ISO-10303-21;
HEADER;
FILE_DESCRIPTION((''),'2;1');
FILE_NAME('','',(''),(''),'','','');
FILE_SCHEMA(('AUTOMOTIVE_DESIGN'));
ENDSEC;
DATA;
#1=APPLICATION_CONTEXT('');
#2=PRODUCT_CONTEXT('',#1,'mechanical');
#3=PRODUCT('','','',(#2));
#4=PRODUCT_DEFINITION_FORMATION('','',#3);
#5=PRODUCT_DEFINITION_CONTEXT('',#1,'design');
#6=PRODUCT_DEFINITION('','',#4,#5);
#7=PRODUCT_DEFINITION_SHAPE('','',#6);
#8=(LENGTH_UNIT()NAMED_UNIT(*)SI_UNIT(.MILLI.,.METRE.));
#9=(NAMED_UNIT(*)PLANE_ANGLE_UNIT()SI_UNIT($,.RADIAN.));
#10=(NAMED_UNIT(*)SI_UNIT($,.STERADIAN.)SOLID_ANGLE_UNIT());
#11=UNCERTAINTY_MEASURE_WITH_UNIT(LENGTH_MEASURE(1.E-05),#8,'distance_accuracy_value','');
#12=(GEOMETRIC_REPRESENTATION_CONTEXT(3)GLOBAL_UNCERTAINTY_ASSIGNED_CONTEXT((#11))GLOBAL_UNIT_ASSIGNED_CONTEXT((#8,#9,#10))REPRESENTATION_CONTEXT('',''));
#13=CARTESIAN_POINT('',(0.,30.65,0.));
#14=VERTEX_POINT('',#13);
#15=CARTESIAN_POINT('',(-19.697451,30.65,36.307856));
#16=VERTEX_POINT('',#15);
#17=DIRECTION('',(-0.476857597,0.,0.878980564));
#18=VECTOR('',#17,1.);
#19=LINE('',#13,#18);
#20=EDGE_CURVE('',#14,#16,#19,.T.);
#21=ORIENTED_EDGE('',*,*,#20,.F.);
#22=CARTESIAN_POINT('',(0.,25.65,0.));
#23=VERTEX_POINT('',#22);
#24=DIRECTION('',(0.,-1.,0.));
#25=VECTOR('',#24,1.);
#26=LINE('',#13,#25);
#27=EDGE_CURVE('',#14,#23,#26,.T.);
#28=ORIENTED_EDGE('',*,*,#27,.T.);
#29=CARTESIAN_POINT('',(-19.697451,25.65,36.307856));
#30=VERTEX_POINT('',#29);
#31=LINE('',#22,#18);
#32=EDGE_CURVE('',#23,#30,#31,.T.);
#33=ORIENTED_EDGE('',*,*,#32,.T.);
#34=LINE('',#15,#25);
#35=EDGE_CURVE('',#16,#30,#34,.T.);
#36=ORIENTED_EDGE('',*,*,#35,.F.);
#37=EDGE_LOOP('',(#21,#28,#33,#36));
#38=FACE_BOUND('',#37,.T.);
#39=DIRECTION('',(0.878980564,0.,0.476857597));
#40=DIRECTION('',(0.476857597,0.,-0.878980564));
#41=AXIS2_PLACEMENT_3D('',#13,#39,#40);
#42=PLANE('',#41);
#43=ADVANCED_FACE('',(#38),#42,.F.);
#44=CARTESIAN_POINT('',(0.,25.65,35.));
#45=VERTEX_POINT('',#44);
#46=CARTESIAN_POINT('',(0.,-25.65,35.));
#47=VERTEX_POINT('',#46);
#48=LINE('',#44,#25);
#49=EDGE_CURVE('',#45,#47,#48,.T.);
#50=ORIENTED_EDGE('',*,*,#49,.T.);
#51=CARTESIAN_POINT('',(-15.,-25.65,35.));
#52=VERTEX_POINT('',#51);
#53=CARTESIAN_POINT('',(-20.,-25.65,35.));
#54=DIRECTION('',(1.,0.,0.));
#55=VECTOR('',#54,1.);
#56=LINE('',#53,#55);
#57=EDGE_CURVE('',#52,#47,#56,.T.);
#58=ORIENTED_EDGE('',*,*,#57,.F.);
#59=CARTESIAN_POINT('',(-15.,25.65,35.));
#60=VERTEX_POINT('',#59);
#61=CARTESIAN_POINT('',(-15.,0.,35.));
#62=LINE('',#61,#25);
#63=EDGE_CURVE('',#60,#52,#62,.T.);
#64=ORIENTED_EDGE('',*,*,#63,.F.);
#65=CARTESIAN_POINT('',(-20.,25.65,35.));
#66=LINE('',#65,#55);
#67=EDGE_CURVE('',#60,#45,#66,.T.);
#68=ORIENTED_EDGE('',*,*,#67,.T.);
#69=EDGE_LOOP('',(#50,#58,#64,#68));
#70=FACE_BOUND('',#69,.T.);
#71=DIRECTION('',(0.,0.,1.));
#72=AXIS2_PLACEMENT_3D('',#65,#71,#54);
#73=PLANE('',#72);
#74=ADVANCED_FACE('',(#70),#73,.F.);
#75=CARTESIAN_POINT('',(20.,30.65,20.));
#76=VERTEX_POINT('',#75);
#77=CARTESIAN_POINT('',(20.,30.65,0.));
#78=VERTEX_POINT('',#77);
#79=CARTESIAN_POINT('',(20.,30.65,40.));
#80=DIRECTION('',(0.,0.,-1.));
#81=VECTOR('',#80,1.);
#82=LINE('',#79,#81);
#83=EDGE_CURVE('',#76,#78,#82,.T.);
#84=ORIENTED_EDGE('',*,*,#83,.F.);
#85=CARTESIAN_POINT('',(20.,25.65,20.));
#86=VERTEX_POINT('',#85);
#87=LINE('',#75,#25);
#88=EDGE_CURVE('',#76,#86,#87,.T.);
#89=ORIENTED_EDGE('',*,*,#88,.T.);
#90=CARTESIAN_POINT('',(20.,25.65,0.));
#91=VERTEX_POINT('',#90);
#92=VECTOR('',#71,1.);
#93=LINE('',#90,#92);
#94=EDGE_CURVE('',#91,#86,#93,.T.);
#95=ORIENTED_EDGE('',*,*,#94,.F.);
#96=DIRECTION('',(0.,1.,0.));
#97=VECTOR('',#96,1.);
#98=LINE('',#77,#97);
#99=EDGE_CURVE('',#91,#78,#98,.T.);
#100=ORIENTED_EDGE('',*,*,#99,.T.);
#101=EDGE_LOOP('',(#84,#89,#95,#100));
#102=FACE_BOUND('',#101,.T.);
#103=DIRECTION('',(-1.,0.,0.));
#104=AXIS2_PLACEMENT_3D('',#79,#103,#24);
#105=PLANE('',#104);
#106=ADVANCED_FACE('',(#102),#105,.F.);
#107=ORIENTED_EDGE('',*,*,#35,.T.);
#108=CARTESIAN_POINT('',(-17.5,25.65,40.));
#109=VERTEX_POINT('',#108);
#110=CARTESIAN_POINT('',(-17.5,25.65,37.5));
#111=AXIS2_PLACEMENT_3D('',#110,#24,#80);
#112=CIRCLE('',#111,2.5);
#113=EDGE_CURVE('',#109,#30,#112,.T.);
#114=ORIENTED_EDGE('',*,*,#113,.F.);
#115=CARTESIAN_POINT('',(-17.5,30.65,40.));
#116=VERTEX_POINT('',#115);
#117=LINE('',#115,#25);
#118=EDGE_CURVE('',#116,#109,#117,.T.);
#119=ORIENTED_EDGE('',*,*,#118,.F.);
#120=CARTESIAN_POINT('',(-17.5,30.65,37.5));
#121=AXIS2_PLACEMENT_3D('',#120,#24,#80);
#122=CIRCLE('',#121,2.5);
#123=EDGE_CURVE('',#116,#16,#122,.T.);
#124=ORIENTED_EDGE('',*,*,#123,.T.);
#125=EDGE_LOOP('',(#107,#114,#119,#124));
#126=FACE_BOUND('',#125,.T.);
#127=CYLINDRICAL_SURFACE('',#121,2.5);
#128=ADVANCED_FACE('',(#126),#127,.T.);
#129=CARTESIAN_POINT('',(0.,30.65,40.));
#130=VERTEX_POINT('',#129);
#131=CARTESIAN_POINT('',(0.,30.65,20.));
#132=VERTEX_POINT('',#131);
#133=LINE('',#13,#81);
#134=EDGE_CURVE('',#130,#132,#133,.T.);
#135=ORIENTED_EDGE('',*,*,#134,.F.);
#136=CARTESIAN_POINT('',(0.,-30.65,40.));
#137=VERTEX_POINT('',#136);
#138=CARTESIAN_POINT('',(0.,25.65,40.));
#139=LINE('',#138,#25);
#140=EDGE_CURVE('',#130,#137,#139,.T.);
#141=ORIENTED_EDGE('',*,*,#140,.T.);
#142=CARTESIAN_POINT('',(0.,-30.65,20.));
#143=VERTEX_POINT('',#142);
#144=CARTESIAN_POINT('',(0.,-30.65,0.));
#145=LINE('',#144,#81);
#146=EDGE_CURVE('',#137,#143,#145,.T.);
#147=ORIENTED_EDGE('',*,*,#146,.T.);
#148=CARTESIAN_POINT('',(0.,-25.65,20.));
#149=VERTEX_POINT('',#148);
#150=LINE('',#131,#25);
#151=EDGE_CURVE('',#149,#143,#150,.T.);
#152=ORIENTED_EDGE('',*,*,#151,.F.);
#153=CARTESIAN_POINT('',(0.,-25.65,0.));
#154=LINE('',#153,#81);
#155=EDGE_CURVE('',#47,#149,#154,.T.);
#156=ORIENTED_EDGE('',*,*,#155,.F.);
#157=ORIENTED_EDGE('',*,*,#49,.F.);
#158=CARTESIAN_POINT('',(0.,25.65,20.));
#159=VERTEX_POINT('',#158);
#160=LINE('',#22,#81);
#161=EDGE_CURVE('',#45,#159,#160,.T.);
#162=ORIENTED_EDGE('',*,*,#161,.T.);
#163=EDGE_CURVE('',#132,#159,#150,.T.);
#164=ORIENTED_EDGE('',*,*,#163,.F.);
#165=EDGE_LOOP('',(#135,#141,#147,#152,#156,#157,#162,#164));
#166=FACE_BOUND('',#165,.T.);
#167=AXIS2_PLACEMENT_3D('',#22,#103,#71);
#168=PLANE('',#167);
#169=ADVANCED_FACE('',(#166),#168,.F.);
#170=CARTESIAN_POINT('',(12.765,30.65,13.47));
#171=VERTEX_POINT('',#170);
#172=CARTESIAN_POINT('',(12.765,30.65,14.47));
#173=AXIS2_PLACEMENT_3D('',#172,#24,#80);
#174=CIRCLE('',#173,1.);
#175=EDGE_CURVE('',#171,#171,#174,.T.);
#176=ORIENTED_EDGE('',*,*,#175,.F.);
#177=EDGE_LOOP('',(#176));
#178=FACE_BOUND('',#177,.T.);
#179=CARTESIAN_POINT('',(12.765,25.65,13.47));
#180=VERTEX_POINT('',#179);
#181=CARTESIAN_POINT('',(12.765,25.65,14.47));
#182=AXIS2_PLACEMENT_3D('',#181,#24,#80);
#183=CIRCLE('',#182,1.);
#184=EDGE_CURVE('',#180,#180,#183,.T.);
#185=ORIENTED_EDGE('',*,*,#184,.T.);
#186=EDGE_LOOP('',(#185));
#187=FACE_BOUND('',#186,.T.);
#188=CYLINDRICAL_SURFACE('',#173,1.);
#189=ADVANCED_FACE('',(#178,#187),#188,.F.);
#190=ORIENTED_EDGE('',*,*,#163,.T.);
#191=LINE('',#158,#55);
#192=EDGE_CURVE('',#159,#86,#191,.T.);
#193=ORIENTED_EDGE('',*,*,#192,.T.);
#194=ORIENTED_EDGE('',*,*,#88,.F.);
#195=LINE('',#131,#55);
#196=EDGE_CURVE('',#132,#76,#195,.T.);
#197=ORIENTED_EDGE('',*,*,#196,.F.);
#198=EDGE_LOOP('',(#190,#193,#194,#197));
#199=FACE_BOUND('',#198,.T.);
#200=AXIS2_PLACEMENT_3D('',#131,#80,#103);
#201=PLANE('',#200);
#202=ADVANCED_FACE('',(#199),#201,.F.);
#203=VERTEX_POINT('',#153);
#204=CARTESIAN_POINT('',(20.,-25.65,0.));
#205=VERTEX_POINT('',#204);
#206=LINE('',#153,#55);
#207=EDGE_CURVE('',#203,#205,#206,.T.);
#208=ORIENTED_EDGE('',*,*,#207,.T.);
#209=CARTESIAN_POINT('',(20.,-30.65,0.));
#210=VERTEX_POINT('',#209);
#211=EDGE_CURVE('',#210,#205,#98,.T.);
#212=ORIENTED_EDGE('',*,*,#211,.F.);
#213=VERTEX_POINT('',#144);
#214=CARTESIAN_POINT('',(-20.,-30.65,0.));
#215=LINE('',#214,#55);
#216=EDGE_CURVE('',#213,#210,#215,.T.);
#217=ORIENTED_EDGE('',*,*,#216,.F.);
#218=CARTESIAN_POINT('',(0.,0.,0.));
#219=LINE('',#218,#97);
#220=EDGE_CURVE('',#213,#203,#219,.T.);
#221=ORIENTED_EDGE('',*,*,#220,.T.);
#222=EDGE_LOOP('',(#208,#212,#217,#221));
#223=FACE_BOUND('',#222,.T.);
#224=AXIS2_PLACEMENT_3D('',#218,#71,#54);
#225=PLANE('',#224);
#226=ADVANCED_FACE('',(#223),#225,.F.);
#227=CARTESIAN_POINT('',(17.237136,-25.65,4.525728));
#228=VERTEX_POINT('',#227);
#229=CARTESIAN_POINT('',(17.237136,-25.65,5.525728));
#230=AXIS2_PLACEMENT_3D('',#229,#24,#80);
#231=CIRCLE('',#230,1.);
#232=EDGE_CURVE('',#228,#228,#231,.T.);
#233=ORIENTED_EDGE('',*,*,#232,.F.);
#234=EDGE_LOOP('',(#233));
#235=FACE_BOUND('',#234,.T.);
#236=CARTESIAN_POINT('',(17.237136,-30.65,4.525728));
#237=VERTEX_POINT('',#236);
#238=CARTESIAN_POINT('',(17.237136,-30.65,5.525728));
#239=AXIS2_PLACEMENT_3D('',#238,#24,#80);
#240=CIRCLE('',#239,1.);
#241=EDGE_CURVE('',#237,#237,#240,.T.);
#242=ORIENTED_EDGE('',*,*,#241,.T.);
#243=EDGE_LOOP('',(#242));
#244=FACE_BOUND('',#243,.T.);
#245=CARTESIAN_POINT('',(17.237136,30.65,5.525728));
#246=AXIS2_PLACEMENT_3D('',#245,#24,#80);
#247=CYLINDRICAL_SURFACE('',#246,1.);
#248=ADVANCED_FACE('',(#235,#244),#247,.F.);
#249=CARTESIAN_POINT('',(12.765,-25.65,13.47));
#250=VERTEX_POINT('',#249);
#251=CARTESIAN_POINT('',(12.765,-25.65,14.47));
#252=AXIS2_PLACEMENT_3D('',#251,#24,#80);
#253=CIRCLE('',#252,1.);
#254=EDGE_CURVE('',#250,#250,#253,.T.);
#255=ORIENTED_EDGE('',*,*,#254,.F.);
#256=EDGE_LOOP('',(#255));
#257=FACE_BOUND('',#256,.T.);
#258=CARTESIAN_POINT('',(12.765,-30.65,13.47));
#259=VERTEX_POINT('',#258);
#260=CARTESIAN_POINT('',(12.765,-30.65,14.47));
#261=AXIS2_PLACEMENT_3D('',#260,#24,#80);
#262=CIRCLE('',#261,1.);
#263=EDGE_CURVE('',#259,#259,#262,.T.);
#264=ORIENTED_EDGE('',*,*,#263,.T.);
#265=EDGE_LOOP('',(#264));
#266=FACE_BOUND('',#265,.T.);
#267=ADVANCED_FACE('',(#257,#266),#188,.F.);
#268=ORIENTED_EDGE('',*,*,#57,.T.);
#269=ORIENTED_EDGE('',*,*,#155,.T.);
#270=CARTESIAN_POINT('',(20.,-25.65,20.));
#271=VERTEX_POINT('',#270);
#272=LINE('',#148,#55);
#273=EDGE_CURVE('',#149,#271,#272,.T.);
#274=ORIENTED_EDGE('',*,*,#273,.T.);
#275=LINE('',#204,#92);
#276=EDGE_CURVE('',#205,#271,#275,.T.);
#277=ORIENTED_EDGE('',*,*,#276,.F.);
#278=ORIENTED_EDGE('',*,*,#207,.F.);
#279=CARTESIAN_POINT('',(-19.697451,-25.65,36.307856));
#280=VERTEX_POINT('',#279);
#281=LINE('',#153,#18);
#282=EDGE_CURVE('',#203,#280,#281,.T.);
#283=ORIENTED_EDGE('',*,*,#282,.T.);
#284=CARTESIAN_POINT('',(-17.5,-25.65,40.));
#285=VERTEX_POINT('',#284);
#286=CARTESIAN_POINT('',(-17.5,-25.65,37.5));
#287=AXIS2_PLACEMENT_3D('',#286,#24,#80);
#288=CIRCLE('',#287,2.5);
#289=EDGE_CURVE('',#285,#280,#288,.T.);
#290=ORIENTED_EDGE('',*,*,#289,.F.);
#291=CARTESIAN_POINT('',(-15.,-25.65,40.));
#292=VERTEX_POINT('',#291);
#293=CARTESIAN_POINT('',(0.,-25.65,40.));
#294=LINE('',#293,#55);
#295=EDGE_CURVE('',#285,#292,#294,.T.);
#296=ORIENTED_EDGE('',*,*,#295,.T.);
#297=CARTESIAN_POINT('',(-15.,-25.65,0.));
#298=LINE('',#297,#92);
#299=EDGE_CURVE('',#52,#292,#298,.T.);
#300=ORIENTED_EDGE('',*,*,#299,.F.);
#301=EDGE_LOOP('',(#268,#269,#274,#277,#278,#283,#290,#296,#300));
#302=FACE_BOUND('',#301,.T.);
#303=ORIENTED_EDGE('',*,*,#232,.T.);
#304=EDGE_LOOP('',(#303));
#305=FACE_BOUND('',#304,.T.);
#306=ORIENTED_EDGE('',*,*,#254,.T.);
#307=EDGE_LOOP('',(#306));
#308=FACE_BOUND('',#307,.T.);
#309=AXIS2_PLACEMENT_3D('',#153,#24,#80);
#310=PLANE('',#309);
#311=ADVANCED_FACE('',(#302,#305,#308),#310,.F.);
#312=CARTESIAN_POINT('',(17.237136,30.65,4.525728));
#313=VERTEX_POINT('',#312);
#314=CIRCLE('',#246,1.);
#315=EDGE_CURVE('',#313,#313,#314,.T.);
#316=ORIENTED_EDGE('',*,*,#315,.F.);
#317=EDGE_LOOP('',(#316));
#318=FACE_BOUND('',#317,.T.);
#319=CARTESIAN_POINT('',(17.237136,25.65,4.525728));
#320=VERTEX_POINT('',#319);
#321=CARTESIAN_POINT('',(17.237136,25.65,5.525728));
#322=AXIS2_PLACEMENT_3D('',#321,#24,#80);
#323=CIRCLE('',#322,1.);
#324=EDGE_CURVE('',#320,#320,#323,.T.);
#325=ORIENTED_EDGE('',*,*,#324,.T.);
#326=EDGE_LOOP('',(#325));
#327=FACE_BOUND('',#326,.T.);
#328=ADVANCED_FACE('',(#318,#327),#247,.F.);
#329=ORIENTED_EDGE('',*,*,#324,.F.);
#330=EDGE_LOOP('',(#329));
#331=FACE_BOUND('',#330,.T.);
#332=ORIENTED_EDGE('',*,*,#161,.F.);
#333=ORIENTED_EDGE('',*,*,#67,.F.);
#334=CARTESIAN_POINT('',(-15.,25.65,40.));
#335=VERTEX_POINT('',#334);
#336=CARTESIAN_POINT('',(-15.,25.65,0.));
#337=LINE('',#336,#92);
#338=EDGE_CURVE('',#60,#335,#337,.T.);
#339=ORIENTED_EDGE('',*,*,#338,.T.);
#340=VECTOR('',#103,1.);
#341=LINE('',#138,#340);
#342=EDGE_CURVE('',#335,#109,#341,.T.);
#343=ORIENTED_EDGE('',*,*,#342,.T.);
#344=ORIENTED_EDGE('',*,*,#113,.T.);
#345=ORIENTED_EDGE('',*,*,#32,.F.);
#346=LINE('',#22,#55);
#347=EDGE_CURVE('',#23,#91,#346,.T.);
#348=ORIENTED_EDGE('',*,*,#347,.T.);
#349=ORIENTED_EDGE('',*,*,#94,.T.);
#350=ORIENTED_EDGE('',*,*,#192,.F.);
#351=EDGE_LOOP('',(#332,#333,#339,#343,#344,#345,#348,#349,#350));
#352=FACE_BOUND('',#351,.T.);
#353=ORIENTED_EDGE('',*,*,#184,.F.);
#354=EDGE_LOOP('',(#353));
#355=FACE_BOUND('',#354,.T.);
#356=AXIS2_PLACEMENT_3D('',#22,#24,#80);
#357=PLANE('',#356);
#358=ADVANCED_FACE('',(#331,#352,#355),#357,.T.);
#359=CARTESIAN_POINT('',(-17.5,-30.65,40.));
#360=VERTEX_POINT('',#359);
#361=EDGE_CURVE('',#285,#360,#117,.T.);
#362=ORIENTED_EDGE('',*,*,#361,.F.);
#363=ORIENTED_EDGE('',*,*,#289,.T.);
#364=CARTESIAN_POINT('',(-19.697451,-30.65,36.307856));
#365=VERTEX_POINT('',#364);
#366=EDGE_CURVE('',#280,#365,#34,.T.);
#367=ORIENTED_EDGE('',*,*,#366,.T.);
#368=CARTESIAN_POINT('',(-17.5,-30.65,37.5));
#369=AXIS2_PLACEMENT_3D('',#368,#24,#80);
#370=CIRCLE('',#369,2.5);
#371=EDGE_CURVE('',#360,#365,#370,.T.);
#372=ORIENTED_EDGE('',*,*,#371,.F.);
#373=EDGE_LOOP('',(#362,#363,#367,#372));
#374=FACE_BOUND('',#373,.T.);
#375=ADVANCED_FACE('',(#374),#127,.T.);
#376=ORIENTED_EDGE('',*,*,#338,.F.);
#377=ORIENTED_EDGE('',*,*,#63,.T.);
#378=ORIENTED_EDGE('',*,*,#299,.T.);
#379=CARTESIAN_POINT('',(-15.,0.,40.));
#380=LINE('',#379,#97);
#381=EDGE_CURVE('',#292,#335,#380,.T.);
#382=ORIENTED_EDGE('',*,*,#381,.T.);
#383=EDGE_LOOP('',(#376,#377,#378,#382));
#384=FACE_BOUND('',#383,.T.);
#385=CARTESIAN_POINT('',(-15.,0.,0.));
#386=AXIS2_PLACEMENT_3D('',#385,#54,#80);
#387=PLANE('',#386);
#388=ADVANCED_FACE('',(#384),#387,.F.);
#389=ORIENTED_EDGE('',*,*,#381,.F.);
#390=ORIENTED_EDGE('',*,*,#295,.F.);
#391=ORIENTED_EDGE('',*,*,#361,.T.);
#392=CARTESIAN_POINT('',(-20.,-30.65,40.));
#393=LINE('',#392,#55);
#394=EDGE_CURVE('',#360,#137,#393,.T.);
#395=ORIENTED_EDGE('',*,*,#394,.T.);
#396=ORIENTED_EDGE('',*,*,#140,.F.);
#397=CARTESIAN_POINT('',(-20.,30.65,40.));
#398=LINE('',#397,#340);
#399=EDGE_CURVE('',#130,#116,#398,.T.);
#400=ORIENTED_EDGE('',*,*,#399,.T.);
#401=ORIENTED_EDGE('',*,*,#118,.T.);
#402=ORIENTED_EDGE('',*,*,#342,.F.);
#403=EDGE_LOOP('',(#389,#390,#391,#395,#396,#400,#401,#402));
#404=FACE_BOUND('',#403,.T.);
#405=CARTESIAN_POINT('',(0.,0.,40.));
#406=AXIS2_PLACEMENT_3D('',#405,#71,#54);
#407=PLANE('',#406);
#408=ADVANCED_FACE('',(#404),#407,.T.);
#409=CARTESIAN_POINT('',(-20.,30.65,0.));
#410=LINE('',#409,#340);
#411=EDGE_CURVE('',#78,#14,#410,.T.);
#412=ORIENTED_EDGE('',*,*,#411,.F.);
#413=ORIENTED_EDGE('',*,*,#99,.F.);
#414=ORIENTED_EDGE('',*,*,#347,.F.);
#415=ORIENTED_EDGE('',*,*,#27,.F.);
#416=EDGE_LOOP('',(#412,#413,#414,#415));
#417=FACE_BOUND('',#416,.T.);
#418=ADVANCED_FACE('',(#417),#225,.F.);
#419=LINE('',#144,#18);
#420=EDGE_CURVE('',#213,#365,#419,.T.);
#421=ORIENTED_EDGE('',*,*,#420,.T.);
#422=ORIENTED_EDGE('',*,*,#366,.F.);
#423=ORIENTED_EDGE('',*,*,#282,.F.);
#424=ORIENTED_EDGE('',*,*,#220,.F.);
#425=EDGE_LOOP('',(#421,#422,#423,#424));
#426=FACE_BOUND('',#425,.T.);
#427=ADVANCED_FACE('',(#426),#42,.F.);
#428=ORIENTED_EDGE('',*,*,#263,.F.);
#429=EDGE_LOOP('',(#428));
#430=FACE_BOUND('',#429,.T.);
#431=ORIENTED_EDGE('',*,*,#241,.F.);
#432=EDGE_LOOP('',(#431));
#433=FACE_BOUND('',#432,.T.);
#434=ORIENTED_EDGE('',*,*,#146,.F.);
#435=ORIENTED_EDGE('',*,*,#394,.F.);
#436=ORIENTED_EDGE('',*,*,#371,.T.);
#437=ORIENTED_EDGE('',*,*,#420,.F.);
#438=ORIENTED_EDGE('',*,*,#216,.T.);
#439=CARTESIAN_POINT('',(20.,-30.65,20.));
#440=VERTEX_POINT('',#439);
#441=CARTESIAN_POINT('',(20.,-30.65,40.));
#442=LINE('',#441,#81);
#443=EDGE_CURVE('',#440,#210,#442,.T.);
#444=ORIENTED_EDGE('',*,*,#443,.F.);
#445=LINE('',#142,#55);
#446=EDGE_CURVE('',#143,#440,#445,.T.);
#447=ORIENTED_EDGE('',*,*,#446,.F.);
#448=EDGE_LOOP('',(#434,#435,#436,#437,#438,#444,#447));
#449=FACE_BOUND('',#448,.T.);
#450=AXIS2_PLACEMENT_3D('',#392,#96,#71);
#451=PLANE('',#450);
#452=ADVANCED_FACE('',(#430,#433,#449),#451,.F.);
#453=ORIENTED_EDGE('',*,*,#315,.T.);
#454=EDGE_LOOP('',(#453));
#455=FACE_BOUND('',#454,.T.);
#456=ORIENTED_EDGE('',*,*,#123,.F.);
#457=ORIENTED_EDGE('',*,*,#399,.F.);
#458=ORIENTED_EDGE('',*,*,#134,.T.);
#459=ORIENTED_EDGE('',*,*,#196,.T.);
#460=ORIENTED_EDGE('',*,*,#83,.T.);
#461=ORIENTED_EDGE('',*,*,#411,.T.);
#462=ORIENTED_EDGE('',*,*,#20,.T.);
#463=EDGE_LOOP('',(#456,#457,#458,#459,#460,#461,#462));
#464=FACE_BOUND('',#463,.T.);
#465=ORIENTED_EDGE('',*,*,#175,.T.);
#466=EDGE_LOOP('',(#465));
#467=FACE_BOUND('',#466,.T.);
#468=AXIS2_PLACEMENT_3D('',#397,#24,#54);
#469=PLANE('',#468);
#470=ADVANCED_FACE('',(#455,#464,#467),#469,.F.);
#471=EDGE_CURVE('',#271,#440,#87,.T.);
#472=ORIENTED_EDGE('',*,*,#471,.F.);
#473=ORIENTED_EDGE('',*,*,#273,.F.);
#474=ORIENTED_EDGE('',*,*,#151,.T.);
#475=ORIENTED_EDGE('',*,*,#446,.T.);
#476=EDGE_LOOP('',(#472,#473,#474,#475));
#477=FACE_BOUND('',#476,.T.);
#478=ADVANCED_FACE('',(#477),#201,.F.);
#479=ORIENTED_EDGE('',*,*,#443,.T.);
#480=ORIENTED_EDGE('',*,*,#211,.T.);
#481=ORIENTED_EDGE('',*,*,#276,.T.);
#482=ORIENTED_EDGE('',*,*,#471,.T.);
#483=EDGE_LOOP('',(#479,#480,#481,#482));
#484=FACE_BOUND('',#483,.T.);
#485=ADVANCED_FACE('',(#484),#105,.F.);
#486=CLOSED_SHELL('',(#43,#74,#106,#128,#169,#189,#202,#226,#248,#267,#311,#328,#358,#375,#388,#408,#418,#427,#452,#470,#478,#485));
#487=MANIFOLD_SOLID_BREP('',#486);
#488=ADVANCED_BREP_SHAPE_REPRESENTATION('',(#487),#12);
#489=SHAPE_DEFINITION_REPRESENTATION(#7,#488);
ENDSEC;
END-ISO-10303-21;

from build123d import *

# Parameters (mm, degrees)
SKETCH_1_W          = 40
SKETCH_1_H          = 61.3
EXTRUDE_1_DEPTH     = 40
SKETCH_2_W          = 20
SKETCH_2_H          = 51.3
CUT_EXTRUDE_1_DEPTH = 55.216441233
SKETCH_3_W          = 5
SKETCH_3_H          = 51.3
CUT_EXTRUDE_2_DEPTH = 55.216441233
SKETCH_4_W          = 35
SKETCH_4_H          = 51.3
CUT_EXTRUDE_3_DEPTH = 55.216441233
SKETCH_5_W          = 20
SKETCH_5_H          = 20
CUT_EXTRUDE_5_DEPTH = 76.879443857
SKETCH_6_R          = 1
CUT_EXTRUDE_6_DEPTH = 76.879443857


with BuildPart() as part:
    # 草图1 → 凸台-拉伸1 (new body)
    with BuildSketch(Plane.XY):
        Rectangle(SKETCH_1_W, SKETCH_1_H)
    extrude(amount=EXTRUDE_1_DEPTH)

    # 草图2 → 切除-拉伸1 (cut, through all)
    with BuildSketch(Plane.XY.offset(40)):
        with Locations((10, 0)):
            Rectangle(SKETCH_2_W, SKETCH_2_H)
    extrude(amount=-CUT_EXTRUDE_1_DEPTH, mode=Mode.SUBTRACT)

    # 草图3 → 切除-拉伸2 (cut, through all)
    with BuildSketch(Plane.XY.offset(40)):
        with Locations((-17.5, 0)):
            Rectangle(SKETCH_3_W, SKETCH_3_H)
    extrude(amount=-CUT_EXTRUDE_2_DEPTH, mode=Mode.SUBTRACT)

    # 草图4 → 切除-拉伸3 (cut, through all)
    with BuildSketch(Plane(origin=(0, 0, 0), x_dir=(0, 0, -1), z_dir=(1, 0, 0))):
        with Locations((-17.5, 0)):
            Rectangle(SKETCH_4_W, SKETCH_4_H)
    extrude(amount=-CUT_EXTRUDE_3_DEPTH, mode=Mode.SUBTRACT)

    # 草图5 → 切除-拉伸5 (cut, through all)
    with BuildSketch(Plane.XZ.offset(30.65)):
        with BuildLine():
            ThreePointArc((-19.697451431, 36.307856046), (-19.923182678, 36.885031943), (-20, 37.5))
            Line((-20, 37.5), (-20, 36.865536816))
            Line((-20, 36.865536816), (-19.697451431, 36.307856046))
        make_face()
        with BuildLine():
            ThreePointArc((-20, 37.5), (-19.267766953, 39.267766953), (-17.5, 40))
            Line((-17.5, 40), (-20, 40))
            Line((-20, 40), (-20, 37.5))
        make_face()
        Polygon((0, 0), (-19.697451431, 36.307856046), (-20, 36.865536816), (-20, 0), align=None)
        with Locations((10, 30)):
            Rectangle(SKETCH_5_W, SKETCH_5_H)
    extrude(amount=-CUT_EXTRUDE_5_DEPTH, mode=Mode.SUBTRACT)

    # 草图6 → 切除-拉伸6 (cut, through all)
    with BuildSketch(Plane.XZ.offset(30.65)):
        with Locations(Location((12.765, 14.47, 0), (0, 0, 270))):
            Circle(SKETCH_6_R)
        with Locations(Location((17.237135955, 5.52572809, 0), (0, 0, 270))):
            Circle(SKETCH_6_R)
    extrude(amount=-CUT_EXTRUDE_6_DEPTH, mode=Mode.SUBTRACT)


solid = part.part
